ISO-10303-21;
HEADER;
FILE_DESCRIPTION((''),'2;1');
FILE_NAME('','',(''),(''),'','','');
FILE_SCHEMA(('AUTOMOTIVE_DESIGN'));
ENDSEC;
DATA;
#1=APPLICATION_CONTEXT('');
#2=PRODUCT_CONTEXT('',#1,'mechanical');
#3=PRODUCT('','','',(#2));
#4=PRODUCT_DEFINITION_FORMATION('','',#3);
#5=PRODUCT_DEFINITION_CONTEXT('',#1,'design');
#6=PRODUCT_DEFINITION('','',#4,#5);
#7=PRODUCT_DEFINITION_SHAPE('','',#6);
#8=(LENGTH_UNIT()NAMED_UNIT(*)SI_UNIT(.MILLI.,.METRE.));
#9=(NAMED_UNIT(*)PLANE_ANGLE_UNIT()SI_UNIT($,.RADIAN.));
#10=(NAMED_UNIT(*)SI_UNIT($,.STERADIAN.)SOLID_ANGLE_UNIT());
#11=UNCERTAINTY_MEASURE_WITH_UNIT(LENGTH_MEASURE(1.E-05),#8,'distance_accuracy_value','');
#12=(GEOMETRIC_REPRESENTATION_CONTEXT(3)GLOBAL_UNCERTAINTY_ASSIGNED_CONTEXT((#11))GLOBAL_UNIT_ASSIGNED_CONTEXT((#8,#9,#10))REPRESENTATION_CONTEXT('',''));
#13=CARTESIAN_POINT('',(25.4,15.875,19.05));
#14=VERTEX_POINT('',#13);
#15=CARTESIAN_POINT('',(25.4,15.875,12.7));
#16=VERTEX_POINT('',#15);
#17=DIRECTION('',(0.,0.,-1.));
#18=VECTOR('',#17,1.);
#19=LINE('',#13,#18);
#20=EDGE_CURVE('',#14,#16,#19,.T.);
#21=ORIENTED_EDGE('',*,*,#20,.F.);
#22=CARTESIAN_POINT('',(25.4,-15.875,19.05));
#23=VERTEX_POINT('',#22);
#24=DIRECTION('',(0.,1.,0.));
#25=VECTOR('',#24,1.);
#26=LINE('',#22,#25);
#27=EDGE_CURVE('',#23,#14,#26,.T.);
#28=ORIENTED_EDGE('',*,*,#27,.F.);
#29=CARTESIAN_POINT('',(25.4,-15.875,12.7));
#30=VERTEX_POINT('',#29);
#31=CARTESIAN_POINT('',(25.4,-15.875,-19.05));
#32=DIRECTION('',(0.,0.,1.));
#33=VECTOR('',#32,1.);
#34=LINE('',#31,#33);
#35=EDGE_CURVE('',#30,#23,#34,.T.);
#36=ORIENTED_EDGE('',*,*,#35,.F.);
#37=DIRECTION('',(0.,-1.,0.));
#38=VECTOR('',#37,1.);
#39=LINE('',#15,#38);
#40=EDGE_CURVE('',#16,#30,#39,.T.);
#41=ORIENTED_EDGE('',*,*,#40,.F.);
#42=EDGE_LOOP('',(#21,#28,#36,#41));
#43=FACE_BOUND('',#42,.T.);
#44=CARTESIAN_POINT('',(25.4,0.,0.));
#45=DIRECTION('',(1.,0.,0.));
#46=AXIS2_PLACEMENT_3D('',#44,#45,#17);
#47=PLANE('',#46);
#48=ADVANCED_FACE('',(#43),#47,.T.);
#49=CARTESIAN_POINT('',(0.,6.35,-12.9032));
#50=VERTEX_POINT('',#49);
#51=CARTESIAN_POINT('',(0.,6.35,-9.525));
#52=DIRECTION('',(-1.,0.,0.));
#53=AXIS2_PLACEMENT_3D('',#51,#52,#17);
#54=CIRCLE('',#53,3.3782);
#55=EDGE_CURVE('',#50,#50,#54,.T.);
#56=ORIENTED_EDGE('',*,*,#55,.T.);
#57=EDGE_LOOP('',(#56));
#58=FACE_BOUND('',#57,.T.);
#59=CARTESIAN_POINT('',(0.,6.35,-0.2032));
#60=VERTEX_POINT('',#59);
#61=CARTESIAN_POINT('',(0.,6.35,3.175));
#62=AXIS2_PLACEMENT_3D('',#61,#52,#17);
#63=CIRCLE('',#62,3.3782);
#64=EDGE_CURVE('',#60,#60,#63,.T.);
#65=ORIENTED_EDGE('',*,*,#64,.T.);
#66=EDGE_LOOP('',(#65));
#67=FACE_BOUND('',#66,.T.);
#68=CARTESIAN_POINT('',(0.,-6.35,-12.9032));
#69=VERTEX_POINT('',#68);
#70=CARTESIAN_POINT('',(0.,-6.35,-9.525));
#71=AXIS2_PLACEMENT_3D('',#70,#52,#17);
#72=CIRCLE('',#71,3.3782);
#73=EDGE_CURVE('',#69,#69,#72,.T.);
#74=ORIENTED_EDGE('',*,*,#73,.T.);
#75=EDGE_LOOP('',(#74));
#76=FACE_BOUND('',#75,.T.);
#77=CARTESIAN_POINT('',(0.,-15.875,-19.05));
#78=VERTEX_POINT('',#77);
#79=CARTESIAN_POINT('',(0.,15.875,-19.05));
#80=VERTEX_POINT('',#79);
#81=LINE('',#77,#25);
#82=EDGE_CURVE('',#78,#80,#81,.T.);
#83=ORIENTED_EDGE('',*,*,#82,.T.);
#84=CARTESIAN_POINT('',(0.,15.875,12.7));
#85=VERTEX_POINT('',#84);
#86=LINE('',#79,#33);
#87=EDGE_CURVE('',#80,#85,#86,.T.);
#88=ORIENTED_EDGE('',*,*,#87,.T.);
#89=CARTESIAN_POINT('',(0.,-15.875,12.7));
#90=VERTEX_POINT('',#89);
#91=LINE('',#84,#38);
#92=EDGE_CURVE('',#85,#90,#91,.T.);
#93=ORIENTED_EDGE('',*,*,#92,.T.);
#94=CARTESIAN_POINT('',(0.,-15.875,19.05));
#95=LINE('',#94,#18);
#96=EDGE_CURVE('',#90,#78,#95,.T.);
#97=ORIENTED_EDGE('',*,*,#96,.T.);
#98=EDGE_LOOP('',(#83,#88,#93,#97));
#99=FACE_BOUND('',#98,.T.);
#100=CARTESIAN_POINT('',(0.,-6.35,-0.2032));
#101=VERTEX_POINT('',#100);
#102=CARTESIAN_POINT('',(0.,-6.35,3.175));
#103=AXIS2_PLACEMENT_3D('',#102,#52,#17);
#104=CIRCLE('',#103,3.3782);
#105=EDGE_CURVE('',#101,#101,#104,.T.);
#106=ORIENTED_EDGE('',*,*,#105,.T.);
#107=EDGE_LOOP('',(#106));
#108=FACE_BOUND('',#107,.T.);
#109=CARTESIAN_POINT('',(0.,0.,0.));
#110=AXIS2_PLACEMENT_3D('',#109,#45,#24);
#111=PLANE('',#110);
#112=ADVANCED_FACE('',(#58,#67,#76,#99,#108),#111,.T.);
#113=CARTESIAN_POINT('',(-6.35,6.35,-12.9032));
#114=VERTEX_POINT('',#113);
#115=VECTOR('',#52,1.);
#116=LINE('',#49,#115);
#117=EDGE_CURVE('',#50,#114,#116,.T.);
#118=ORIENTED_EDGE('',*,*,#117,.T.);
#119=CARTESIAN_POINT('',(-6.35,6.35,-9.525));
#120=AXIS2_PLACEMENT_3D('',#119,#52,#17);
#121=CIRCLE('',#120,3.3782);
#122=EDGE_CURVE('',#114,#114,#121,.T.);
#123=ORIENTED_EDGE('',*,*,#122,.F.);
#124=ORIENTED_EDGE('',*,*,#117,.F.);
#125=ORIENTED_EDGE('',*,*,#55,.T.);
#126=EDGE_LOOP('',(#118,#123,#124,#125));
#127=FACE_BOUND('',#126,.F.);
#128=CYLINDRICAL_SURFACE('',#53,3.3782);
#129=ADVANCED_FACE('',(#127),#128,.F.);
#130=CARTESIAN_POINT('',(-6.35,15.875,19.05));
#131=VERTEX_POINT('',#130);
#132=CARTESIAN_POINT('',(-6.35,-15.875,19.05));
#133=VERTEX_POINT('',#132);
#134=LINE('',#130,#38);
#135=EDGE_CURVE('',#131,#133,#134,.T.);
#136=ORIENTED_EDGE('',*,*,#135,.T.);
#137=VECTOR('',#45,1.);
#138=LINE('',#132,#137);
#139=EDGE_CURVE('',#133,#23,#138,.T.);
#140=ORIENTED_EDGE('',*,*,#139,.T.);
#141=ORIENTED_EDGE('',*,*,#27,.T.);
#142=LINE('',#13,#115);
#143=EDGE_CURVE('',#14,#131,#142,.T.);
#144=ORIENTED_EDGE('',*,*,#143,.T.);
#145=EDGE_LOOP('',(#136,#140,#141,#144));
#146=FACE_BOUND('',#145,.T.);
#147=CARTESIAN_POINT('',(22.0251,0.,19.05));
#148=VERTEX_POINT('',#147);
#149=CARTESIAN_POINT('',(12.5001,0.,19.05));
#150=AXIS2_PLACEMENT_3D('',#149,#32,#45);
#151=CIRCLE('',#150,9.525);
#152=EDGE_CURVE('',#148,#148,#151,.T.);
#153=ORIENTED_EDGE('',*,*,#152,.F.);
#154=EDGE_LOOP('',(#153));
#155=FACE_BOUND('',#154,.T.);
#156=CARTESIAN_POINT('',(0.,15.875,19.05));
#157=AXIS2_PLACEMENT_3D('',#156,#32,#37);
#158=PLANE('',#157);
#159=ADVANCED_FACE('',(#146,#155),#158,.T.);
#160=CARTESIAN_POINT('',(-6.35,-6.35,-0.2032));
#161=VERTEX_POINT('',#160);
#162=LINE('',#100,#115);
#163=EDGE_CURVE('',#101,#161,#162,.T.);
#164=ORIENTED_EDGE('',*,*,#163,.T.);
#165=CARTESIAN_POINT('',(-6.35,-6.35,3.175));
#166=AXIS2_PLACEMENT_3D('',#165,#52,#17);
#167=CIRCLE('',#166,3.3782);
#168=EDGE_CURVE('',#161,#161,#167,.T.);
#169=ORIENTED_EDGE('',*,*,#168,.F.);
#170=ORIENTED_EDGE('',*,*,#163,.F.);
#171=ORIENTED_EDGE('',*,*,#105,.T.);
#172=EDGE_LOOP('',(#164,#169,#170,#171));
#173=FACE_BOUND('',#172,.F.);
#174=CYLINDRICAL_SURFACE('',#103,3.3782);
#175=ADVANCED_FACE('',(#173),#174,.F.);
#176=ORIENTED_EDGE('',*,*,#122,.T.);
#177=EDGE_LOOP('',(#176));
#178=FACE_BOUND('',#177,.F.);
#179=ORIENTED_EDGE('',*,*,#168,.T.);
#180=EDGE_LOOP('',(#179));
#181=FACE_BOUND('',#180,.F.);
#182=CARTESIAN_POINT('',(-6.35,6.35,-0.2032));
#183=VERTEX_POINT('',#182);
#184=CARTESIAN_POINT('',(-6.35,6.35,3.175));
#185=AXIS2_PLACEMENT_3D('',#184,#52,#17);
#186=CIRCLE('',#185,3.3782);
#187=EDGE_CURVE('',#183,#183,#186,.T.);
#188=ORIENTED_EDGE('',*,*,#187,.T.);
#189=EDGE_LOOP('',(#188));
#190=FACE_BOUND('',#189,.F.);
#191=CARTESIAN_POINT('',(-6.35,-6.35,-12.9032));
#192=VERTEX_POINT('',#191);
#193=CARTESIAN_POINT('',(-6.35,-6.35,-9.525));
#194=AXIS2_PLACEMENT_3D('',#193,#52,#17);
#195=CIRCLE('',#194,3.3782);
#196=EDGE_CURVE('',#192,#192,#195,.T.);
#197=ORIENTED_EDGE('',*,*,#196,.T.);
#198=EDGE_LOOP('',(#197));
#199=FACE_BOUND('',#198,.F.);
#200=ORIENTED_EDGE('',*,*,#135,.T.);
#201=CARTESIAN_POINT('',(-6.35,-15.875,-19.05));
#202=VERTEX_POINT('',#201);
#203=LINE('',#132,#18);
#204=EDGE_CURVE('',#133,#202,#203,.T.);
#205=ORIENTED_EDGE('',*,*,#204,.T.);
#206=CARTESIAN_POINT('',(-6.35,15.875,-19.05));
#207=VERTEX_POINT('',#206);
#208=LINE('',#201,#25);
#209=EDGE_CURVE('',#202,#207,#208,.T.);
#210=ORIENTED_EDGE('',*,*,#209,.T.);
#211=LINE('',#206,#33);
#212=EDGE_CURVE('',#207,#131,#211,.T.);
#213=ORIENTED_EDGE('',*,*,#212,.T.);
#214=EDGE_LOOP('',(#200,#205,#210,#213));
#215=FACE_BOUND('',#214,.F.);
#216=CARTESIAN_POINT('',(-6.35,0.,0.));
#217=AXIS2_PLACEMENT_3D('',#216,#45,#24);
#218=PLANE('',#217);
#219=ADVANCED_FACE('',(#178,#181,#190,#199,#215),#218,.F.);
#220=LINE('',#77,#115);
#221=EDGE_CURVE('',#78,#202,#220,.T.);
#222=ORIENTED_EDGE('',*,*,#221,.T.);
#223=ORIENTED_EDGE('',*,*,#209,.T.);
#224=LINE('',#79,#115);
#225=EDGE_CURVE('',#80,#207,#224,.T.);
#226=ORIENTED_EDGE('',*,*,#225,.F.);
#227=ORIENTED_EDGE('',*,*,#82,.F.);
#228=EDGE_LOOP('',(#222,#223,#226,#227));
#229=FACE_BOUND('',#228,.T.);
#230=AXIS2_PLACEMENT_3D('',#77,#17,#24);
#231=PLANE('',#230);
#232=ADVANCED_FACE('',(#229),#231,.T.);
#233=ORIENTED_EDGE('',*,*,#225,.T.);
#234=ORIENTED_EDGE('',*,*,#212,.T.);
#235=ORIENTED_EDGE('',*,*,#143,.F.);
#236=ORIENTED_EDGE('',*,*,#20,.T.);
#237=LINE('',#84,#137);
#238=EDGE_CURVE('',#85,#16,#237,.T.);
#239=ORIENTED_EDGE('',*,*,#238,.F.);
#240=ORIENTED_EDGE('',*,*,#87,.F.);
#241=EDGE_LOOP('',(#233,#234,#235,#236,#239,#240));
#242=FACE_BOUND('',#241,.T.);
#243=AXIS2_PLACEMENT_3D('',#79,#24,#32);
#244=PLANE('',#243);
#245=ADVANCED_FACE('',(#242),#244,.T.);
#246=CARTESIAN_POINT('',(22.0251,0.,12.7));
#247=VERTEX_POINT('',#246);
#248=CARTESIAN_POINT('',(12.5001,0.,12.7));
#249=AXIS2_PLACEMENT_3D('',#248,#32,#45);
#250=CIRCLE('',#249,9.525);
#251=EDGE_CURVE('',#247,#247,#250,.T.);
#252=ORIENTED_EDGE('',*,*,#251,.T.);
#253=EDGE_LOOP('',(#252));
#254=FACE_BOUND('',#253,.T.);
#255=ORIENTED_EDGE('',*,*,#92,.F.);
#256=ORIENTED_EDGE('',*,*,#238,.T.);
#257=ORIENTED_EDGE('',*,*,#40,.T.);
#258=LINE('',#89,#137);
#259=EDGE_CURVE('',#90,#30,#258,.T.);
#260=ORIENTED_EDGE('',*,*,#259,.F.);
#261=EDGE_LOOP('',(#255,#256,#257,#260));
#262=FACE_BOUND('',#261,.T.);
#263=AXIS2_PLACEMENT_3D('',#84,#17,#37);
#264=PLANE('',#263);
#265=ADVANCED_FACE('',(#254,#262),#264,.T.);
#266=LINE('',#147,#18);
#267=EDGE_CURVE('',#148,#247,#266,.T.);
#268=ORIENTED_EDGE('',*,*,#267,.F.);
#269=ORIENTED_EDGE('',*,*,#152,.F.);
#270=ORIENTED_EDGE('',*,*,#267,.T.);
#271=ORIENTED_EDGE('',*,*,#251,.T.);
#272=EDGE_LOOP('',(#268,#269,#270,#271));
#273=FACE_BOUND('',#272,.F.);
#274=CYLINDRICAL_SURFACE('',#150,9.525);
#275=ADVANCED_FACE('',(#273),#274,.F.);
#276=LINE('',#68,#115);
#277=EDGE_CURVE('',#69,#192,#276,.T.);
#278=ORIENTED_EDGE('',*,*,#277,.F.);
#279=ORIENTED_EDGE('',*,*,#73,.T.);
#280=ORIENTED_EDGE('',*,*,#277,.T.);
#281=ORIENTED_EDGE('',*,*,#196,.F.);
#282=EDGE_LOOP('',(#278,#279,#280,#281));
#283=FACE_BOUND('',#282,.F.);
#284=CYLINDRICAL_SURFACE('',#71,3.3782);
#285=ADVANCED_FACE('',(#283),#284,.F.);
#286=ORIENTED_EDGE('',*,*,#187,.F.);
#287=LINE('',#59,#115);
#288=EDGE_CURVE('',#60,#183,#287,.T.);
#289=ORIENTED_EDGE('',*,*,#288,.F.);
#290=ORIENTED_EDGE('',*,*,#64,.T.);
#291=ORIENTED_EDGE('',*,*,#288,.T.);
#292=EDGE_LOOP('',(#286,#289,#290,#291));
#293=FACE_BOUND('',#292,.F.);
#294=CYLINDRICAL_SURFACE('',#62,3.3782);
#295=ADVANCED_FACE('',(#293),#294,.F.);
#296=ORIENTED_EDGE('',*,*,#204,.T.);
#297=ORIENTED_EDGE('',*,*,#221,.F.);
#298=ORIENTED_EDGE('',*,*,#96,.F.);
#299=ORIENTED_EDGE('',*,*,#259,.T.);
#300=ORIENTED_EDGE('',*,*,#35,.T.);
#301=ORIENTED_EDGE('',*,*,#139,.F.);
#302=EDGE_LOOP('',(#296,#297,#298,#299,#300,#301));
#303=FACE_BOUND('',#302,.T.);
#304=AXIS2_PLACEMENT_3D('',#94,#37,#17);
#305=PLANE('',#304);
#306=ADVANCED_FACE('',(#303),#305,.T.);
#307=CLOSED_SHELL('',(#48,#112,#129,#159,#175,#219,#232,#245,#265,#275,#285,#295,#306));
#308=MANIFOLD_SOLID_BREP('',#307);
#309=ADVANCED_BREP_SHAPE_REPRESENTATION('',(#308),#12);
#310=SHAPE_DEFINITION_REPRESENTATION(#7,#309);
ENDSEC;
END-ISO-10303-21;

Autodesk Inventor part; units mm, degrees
ref_plane "YZ Plane" through (0, 0, 0) normal (1, 0, 0) x (0, 1, 0)
ref_plane "XZ Plane" through (0, 0, 0) normal (0, 1, 0) x (-1, 0, 0)
ref_plane "XY Plane" through (0, 0, 0) normal (0, 0, 1) x (1, 0, 0)
sketch "Sketch1" plane through (0, 0, 0) normal (1, 0, 0) x (0, 1, 0)
  line L0 (-15.875, 19.05) -> (-15.875, -19.05)
  line L1 (-15.875, -19.05) -> (15.875, -19.05)
  line L2 (15.875, -19.05) -> (15.875, 19.05)
  line L3 (15.875, 19.05) -> (-15.875, 19.05)
  line L4 (-15.875, 19.05) -> (15.875, -19.05) construction
  line L5 (-15.875, -19.05) -> (15.875, 19.05) construction
  point P0 (0, 0)
  dimension "d0" = 31.75
  dimension "d1" = 38.1
extrude "Extrusion1" add sketch "Sketch1" against normal blind 6.35
sketch "Sketch2" plane through (0, 0, 0) normal (1, 0, 0) x (0, 0, -1)
  line L0 (-19.05, -15.875) -> (-19.05, 15.875) projected
  line L1 (19.05, -15.875) -> (-19.05, -15.875) projected
  line L2 (-19.05, 15.875) -> (-12.7, 15.875)
  line L3 (-12.7, 15.875) -> (-12.7, -15.875)
  line L4 (-12.7, -15.875) -> (-19.05, -15.875)
  line L5 (-19.05, -15.875) -> (-19.05, 15.875)
  point P0 (0, 0)
  dimension "d4" = 6.35
extrude "Extrusion2" add sketch "Sketch2" along normal blind 25.4
sketch "Sketch3" plane through (-6.35, -15.875, 19.05) normal (0, 0, 1) x (1, 0, 0)
  circle A0 centre (18.8501, 15.875) radius 9.525
  line L0 (0, 0) -> (0, 31.75) projected
  line L1 (31.75, 31.75) -> (31.75, 0) construction
  line L2 (31.75, 15.875) -> (0, 15.875) construction
  line L3 (0, 31.75) -> (0, 0) construction
  point P0 (6.35, 15.875)
  dimension "d7" = 18.8501
  dimension "d8" = 19.05
  dimension "d11" = 0
extrude "Extrusion3" cut sketch "Sketch3" against normal through all
sketch "Sketch4" plane through (0, 0, 0) normal (1, 0, 0) x (0, 0, -1)
  line L0 (9.525, 6.35) -> (-3.175, 6.35) construction
  line L1 (-3.175, 6.35) -> (-3.175, -6.35) construction
  line L2 (-3.175, -6.35) -> (9.525, -6.35) construction
  line L3 (9.525, -6.35) -> (9.525, 6.35) construction
  line L4 (19.05, 15.875) -> (-12.7, 15.875) projected
  line L5 (19.05, -15.875) -> (19.05, 15.875) projected
  line L6 (-12.7, -15.875) -> (-12.7, 15.875) projected
  line L7 (-12.7, -15.875) -> (19.05, -15.875) projected
  point P0 (0, 0)
  dimension "d12" = 9.525
  dimension "d13" = 9.525
  dimension "d14" = 9.525
  dimension "d15" = 9.525
hole "Hole1" at (0, 6.35, 3.175) at (0, 6.35, -9.525) at (0, -6.35, -9.525) at (0, -6.35, 3.175) direction (-1, 0, 0) diameter 6.7564 end through all clearance for "Hex Machine Screw" size "1/4" standard "Ansi Unified Screw Threads"
properties part number "sideSupport"
